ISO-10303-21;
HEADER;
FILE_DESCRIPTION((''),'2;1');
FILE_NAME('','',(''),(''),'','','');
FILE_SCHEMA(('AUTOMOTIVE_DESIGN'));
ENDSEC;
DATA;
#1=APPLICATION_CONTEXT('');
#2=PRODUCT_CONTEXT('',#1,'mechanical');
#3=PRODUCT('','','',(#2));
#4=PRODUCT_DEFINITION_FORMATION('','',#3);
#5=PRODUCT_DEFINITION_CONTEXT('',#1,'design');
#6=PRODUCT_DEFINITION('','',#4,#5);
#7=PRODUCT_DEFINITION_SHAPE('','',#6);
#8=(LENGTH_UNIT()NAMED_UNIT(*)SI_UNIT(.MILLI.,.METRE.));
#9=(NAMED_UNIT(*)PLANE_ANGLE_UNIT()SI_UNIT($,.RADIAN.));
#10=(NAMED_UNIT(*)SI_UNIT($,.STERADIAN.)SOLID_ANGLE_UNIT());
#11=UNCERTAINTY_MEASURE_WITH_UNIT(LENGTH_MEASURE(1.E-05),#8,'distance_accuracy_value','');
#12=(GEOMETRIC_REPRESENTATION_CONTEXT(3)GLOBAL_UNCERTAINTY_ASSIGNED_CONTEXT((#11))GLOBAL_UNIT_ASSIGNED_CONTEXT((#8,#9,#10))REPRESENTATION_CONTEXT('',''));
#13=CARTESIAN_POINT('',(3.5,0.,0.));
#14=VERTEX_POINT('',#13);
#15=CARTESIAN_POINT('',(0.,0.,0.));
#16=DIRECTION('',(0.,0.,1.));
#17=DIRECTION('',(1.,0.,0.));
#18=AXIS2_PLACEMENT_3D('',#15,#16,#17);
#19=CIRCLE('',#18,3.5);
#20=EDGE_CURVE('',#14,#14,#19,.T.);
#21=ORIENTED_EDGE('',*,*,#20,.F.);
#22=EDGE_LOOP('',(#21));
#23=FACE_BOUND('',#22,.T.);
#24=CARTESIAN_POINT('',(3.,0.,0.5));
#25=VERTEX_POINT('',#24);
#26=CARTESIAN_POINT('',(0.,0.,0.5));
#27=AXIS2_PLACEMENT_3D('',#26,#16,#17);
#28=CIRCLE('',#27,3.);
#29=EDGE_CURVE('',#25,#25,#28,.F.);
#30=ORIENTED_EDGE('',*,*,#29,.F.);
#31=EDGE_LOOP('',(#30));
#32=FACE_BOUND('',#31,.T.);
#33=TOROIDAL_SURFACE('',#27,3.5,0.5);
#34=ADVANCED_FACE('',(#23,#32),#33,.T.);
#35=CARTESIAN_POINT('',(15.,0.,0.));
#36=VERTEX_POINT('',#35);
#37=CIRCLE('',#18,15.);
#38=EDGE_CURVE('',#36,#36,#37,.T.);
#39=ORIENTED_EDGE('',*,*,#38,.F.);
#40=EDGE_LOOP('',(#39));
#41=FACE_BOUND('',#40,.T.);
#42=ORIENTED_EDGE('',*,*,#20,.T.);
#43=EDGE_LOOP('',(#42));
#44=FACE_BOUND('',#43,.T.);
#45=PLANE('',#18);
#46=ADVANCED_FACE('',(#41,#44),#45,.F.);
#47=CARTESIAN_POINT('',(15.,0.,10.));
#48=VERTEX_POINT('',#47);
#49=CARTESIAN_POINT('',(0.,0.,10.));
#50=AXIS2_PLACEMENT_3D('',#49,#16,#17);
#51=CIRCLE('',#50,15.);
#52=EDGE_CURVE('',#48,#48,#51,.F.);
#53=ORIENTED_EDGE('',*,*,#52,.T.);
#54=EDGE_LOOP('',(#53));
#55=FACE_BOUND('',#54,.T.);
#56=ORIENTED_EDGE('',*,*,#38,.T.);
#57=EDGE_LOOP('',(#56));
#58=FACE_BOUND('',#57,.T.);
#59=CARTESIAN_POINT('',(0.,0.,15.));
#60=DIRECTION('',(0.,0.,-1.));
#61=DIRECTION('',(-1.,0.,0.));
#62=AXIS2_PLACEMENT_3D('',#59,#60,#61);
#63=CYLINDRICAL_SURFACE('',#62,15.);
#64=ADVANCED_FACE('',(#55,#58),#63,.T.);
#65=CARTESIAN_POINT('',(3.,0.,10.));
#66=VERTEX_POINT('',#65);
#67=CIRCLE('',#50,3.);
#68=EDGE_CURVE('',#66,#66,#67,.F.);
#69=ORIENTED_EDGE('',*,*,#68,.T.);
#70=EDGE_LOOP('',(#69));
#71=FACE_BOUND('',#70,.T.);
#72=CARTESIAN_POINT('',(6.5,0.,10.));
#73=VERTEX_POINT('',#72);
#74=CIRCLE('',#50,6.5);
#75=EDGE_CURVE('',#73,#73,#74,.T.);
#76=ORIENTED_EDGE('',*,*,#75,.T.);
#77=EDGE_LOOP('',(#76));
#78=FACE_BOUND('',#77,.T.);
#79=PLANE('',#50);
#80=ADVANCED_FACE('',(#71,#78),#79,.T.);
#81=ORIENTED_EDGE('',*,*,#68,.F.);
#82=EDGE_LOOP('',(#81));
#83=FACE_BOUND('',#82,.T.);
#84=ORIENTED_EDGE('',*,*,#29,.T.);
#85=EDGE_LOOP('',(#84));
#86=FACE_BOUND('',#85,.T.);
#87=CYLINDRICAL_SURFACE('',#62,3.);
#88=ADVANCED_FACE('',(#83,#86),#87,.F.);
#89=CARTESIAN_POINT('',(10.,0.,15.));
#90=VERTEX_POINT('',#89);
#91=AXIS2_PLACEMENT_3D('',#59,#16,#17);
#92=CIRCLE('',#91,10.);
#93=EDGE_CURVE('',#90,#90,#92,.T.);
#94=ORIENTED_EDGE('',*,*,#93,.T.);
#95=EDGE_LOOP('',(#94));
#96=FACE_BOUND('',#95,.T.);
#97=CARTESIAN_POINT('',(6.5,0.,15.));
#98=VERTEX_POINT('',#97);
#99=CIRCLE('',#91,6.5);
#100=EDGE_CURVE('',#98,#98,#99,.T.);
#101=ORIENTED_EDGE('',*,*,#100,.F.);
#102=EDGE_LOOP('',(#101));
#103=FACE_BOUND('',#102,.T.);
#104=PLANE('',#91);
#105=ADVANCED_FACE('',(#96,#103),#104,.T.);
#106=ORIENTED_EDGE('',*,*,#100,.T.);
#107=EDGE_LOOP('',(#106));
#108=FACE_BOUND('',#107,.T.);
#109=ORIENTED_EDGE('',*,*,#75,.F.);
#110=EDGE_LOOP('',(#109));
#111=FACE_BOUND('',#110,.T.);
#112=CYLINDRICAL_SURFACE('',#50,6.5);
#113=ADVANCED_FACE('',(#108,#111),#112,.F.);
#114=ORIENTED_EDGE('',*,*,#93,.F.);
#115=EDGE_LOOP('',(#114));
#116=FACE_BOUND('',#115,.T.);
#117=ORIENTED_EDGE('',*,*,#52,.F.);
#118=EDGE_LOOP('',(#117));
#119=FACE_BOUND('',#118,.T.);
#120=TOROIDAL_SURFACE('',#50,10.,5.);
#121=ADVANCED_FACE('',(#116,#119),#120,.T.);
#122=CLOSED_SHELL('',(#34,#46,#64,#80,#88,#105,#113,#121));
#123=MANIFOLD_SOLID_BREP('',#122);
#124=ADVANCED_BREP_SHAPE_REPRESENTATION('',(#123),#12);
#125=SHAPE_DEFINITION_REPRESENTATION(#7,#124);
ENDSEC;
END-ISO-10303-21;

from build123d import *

# Parameters (mm, degrees)
IZIM1_R                     = 15
Y_KSEKLIK_EKSTR_ZYON1_DEPTH = 15
RADYUS1_R                   = 5
IZIM2_R                     = 3
KES_EKSTR_ZYON1_DEPTH       = 15
IZIM3_R                     = 6.5
KES_EKSTR_ZYON2_DEPTH       = 5
RADYUS2_R                   = 0.5


with BuildPart() as part:
    # Çizim1 → Yükseklik-Ekstrüzyon1 (new body)
    with BuildSketch(Plane.XY):
        Circle(IZIM1_R)
    extrude(amount=Y_KSEKLIK_EKSTR_ZYON1_DEPTH)

    # Radyus1
    radyus1_edges = [part.edges().sort_by_distance(p)[0] for p in [
        (-15, 0, 15),
    ]]
    fillet(radyus1_edges, radius=RADYUS1_R)

    # Çizim2 → Kes-Ekstrüzyon1 (cut)
    with BuildSketch(Plane(origin=(0, 0, 0), x_dir=(-1, 0, 0), z_dir=(0, 0, -1))):
        Circle(IZIM2_R)
    extrude(amount=-KES_EKSTR_ZYON1_DEPTH, mode=Mode.SUBTRACT)

    # Çizim3 → Kes-Ekstrüzyon2 (cut)
    with BuildSketch(Plane.XY.offset(15)):
        Circle(IZIM3_R)
    extrude(amount=-KES_EKSTR_ZYON2_DEPTH, mode=Mode.SUBTRACT)

    # Radyus2
    radyus2_edges = [part.edges().sort_by_distance(p)[0] for p in [
        (3, 0, 0),
    ]]
    fillet(radyus2_edges, radius=RADYUS2_R)


solid = part.part
